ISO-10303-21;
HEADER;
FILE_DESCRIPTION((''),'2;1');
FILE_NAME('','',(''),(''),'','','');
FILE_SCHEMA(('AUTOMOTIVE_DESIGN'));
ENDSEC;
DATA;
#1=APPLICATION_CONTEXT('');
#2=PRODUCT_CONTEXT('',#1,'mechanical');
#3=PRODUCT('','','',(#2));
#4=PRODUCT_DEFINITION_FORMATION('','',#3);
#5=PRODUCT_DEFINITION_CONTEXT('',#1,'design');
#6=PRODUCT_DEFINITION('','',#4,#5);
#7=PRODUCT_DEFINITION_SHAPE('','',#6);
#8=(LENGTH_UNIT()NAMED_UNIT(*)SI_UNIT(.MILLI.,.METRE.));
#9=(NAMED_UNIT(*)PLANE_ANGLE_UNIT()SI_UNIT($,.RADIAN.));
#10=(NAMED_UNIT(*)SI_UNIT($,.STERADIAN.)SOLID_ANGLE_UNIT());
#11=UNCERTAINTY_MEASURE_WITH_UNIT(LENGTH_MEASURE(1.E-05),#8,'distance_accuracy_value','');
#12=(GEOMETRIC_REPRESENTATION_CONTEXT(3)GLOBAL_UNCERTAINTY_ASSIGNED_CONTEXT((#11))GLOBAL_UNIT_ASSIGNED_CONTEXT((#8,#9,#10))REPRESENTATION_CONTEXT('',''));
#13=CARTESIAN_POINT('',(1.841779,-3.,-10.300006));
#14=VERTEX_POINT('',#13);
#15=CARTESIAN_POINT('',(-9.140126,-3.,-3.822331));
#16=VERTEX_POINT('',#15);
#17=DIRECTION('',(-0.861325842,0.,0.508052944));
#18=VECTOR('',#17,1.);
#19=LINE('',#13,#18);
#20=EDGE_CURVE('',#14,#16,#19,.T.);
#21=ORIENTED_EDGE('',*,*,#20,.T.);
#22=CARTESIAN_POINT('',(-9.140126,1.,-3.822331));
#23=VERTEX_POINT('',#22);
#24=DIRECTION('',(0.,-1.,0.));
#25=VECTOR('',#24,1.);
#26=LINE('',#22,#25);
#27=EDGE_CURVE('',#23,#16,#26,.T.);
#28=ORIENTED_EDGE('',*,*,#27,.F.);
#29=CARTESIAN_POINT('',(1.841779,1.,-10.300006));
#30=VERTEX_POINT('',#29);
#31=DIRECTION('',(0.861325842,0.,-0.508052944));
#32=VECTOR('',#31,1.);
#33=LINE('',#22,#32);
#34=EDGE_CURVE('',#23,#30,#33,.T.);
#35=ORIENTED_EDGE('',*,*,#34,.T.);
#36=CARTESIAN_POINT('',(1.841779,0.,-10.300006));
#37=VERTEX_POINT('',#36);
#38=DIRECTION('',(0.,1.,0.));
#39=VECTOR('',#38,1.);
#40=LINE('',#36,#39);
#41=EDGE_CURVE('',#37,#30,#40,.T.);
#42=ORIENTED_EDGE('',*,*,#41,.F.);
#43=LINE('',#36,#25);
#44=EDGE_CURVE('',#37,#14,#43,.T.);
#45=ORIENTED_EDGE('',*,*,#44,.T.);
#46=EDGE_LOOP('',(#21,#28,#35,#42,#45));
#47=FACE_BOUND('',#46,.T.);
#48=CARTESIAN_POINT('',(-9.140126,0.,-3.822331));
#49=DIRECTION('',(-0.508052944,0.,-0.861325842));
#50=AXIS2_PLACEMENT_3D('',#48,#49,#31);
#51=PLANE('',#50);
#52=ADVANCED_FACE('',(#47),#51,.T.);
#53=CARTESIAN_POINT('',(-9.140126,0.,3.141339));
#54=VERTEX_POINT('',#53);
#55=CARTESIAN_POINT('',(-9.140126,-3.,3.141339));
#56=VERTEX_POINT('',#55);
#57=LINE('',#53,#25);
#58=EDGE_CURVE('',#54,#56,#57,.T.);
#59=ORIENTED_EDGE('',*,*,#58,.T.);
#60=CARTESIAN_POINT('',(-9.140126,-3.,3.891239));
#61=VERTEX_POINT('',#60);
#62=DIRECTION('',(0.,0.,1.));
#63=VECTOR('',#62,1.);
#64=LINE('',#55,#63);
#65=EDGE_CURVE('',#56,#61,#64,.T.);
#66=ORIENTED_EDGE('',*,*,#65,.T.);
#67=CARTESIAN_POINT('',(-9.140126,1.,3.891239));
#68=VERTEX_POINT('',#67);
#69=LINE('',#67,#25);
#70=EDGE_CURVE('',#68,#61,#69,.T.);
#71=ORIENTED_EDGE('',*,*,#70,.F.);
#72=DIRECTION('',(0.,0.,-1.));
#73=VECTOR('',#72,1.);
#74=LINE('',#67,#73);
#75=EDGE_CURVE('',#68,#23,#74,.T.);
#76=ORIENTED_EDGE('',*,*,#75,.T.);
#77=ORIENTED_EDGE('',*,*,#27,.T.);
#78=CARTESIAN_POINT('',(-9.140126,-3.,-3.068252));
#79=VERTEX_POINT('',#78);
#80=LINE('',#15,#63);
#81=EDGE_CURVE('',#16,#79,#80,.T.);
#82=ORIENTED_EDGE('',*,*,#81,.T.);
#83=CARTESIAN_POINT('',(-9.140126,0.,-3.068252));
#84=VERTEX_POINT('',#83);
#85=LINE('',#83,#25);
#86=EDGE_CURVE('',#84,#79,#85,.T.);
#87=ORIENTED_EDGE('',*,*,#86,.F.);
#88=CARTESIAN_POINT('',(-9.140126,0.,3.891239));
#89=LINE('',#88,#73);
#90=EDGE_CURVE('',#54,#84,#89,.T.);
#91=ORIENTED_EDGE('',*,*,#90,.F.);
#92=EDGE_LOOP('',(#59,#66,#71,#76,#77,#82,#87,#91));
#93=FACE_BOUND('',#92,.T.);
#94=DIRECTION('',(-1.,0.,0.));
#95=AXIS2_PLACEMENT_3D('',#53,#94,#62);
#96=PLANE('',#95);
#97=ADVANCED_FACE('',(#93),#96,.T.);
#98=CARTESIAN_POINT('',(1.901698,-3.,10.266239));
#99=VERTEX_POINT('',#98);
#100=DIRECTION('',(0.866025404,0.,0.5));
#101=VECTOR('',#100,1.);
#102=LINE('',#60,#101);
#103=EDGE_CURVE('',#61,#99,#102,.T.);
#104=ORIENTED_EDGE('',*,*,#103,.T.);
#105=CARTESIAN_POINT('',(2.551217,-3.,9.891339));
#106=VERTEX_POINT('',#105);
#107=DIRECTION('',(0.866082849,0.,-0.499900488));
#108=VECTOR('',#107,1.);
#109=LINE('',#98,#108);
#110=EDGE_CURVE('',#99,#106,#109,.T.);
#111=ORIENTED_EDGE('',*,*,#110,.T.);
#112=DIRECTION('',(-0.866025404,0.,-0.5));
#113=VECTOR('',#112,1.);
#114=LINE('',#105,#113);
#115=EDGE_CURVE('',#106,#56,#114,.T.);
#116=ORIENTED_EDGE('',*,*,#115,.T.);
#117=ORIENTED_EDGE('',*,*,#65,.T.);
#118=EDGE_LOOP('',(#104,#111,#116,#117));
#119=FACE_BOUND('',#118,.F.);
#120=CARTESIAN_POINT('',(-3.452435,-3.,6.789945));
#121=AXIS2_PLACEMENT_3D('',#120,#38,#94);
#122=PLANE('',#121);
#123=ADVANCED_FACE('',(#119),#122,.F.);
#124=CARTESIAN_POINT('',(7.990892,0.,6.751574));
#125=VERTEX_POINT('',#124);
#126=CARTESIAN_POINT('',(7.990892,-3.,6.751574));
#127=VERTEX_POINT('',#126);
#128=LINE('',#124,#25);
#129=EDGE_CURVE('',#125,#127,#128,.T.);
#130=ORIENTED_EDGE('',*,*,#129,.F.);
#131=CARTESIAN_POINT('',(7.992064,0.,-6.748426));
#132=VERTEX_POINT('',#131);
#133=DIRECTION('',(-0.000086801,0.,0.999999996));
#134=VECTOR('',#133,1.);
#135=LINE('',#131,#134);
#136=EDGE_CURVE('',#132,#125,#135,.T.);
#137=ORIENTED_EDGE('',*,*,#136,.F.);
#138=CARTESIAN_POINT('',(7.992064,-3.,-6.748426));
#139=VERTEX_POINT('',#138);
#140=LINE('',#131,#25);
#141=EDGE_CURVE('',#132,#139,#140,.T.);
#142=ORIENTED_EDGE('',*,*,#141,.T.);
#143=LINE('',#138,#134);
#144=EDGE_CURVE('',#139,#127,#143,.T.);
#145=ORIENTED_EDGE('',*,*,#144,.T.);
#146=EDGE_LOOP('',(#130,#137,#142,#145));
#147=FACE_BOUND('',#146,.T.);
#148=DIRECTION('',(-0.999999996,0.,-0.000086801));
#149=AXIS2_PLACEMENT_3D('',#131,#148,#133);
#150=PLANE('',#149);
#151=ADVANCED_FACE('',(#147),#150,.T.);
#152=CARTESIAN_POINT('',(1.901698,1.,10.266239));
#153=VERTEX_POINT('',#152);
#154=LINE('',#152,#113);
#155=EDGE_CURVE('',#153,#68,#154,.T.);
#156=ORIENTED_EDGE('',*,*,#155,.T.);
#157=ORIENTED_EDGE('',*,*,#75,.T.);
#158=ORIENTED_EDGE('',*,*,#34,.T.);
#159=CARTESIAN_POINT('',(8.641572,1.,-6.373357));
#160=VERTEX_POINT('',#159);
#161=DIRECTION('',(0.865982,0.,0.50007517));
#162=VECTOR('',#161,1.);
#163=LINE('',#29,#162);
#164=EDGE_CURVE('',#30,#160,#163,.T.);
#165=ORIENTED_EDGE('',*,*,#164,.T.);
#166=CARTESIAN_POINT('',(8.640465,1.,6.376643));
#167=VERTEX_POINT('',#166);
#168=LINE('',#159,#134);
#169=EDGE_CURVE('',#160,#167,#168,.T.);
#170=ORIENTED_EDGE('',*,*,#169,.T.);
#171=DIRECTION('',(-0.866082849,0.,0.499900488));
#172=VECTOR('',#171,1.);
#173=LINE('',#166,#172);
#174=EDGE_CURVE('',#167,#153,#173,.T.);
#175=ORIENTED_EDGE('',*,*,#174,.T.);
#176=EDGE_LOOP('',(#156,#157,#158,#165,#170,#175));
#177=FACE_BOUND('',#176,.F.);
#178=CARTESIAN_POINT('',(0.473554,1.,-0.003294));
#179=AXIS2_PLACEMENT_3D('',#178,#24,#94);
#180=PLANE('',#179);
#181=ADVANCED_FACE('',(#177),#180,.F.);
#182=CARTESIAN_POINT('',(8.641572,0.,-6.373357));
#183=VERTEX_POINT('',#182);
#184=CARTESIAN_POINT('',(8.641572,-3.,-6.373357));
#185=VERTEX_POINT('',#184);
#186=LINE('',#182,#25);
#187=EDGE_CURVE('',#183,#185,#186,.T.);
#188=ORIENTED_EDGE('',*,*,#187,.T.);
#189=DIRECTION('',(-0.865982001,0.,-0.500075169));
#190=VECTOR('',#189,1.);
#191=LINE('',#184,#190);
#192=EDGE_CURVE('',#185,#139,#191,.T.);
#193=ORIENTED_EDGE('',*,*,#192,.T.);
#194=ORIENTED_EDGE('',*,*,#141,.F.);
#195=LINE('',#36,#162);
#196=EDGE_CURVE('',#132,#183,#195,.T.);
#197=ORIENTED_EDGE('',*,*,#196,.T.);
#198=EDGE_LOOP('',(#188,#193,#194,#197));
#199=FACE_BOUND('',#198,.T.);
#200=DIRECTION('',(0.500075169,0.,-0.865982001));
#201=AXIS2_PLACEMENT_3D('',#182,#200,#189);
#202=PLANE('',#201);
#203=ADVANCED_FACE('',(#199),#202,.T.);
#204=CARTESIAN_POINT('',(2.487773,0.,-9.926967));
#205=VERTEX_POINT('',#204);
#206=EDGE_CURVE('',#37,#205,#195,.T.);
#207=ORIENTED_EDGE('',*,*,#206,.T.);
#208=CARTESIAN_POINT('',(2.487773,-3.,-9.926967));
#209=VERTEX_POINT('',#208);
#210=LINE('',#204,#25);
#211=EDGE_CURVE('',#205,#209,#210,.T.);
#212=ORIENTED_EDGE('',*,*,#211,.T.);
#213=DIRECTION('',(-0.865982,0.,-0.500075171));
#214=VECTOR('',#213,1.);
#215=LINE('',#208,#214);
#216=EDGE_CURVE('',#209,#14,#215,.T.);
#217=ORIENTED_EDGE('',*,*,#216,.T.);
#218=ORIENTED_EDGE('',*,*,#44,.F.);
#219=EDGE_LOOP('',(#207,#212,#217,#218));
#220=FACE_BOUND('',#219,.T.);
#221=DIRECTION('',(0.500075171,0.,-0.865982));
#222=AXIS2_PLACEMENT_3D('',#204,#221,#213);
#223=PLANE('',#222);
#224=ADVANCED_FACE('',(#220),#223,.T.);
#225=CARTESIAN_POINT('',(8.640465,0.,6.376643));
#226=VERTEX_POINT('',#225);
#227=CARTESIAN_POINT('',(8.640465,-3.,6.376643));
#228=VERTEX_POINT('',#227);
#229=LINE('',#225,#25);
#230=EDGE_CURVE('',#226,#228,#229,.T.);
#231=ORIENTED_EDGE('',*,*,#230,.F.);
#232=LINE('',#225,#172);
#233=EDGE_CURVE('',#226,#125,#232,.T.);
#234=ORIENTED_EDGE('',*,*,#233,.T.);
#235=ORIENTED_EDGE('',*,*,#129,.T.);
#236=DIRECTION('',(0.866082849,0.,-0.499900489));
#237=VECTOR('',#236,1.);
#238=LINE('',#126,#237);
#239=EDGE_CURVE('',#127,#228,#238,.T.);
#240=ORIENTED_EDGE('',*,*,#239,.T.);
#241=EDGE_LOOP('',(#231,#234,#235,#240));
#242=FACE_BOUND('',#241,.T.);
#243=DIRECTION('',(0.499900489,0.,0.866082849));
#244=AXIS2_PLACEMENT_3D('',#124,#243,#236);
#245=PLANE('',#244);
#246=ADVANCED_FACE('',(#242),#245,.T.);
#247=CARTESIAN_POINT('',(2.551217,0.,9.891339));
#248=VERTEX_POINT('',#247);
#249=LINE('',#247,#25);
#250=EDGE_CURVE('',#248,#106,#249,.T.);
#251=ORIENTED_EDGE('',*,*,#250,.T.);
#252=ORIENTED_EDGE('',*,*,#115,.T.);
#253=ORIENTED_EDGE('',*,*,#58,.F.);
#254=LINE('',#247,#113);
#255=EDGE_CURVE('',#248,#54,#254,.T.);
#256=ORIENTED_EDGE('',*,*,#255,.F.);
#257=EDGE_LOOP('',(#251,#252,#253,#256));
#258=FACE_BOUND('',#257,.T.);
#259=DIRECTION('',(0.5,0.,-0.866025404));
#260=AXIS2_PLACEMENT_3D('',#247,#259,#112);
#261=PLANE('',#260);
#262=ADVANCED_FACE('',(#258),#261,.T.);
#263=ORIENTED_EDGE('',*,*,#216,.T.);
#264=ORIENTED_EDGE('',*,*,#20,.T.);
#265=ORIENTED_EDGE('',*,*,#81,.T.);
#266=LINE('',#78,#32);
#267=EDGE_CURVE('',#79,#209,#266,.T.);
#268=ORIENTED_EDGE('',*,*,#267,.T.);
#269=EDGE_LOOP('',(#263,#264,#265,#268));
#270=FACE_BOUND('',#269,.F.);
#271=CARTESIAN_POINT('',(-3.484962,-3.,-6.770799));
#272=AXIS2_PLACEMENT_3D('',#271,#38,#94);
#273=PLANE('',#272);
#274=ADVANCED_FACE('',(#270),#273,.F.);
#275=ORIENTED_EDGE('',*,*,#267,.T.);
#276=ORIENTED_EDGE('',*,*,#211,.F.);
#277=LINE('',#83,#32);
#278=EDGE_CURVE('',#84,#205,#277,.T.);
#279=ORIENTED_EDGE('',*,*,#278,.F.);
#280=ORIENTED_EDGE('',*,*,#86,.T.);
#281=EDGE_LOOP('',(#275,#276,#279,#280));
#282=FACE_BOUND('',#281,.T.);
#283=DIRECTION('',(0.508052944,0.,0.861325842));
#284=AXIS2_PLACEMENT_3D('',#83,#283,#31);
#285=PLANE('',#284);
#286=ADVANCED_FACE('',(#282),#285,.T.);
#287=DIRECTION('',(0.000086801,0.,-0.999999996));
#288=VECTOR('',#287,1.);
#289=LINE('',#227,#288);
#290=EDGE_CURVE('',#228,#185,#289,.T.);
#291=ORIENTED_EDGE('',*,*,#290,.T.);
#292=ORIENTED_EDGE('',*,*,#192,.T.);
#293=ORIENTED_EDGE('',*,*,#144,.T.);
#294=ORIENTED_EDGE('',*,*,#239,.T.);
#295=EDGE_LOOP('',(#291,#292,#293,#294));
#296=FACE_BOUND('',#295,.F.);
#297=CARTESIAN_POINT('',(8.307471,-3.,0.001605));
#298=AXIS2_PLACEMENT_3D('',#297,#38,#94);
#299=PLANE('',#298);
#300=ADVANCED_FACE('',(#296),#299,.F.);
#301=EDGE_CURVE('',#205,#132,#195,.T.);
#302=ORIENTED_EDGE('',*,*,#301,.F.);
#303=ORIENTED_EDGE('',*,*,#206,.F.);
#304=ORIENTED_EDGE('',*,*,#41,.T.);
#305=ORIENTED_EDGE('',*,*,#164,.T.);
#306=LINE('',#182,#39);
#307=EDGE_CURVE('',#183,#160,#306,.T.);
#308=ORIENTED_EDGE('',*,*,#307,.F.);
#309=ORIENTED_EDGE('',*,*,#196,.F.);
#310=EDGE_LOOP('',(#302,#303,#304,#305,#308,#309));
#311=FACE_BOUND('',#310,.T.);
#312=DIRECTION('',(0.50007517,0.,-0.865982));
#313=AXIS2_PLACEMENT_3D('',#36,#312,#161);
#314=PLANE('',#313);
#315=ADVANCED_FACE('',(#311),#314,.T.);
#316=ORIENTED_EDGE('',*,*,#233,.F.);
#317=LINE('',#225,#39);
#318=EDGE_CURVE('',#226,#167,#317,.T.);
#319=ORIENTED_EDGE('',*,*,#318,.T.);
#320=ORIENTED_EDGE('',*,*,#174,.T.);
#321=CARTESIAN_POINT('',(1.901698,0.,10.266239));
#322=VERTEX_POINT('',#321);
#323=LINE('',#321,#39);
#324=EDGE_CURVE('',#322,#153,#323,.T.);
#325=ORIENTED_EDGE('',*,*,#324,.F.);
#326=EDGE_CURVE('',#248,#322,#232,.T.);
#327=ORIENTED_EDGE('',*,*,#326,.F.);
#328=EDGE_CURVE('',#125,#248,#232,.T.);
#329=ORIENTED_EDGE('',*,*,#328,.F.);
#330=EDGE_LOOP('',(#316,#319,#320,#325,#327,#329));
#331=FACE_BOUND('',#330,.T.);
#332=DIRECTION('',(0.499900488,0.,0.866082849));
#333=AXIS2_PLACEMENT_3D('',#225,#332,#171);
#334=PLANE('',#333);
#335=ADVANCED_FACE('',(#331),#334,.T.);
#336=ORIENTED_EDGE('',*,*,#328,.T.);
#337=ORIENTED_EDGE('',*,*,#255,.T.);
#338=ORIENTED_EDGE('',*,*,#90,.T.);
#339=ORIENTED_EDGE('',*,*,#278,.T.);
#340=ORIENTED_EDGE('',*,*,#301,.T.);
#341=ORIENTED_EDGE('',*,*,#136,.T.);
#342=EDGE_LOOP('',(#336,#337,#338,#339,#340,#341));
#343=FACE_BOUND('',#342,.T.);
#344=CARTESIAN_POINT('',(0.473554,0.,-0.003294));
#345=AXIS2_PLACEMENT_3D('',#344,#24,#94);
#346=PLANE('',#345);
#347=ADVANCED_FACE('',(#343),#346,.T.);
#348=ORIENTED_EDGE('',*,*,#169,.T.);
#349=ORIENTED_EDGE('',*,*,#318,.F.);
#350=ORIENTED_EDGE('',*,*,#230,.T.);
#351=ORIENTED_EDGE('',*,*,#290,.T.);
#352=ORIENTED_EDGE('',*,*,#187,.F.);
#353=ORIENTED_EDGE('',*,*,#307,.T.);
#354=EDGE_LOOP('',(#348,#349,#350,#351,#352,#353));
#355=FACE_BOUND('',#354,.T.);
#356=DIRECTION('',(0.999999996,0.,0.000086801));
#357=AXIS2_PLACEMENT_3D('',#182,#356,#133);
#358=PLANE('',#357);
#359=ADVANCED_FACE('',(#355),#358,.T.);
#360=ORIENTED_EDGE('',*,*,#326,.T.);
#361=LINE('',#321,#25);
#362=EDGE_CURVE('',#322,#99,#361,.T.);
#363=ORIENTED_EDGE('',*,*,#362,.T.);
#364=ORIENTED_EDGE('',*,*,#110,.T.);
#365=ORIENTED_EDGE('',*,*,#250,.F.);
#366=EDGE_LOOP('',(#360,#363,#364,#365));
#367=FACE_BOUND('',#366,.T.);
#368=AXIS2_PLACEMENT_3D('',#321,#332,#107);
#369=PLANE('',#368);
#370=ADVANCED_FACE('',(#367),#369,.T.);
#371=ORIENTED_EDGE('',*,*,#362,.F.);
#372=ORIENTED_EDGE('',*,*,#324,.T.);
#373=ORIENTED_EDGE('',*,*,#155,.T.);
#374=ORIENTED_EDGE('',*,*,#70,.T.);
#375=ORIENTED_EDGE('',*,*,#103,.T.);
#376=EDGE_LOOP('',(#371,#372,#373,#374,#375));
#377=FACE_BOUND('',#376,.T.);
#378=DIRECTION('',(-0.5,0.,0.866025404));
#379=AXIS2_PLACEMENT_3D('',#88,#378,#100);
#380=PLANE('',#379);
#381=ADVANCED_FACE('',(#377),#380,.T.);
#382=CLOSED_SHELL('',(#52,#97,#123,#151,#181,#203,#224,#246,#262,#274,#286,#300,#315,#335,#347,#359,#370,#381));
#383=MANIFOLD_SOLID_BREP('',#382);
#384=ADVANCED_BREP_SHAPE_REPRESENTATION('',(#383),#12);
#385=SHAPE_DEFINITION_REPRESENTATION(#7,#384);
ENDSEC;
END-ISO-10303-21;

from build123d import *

# Parameters (mm, degrees)
BOSS_EXTRUDE2_DEPTH = 1
BOSS_EXTRUDE3_DEPTH = 3


with BuildPart() as part:
    # Sketch3 → Boss-Extrude2 (new body)
    with BuildSketch(Plane(origin=(0, 0, 0), x_dir=(1, 0, 0), z_dir=(0, 1, 0))):
        Polygon((-9.140125584, 3.822331346), (1.841778899, 10.300006386), (8.641571626, 6.373357215), (8.640464915, -6.376642737), (1.901698314, -10.266239118), (-9.140125584, -3.891239118), align=None)
    extrude(amount=BOSS_EXTRUDE2_DEPTH)

    # Sketch5 → Boss-Extrude3 (add)
    with BuildSketch(Plane.XZ):
        Polygon((-9.140125584, 3.891239118), (1.901698314, 10.266239118), (2.551217367, 9.89133862), (-9.140125584, 3.14133862), align=None)
        Polygon((-9.140125584, -3.822331346), (-9.140125584, -3.06825184), (2.48777328, -9.926966588), (1.841778899, -10.300006386), align=None)
        Polygon((8.640464915, 6.376642737), (8.641571626, -6.373357215), (7.99206405, -6.748425762), (7.990892239, 6.751574187), align=None)
    extrude(amount=BOSS_EXTRUDE3_DEPTH)


solid = part.part
